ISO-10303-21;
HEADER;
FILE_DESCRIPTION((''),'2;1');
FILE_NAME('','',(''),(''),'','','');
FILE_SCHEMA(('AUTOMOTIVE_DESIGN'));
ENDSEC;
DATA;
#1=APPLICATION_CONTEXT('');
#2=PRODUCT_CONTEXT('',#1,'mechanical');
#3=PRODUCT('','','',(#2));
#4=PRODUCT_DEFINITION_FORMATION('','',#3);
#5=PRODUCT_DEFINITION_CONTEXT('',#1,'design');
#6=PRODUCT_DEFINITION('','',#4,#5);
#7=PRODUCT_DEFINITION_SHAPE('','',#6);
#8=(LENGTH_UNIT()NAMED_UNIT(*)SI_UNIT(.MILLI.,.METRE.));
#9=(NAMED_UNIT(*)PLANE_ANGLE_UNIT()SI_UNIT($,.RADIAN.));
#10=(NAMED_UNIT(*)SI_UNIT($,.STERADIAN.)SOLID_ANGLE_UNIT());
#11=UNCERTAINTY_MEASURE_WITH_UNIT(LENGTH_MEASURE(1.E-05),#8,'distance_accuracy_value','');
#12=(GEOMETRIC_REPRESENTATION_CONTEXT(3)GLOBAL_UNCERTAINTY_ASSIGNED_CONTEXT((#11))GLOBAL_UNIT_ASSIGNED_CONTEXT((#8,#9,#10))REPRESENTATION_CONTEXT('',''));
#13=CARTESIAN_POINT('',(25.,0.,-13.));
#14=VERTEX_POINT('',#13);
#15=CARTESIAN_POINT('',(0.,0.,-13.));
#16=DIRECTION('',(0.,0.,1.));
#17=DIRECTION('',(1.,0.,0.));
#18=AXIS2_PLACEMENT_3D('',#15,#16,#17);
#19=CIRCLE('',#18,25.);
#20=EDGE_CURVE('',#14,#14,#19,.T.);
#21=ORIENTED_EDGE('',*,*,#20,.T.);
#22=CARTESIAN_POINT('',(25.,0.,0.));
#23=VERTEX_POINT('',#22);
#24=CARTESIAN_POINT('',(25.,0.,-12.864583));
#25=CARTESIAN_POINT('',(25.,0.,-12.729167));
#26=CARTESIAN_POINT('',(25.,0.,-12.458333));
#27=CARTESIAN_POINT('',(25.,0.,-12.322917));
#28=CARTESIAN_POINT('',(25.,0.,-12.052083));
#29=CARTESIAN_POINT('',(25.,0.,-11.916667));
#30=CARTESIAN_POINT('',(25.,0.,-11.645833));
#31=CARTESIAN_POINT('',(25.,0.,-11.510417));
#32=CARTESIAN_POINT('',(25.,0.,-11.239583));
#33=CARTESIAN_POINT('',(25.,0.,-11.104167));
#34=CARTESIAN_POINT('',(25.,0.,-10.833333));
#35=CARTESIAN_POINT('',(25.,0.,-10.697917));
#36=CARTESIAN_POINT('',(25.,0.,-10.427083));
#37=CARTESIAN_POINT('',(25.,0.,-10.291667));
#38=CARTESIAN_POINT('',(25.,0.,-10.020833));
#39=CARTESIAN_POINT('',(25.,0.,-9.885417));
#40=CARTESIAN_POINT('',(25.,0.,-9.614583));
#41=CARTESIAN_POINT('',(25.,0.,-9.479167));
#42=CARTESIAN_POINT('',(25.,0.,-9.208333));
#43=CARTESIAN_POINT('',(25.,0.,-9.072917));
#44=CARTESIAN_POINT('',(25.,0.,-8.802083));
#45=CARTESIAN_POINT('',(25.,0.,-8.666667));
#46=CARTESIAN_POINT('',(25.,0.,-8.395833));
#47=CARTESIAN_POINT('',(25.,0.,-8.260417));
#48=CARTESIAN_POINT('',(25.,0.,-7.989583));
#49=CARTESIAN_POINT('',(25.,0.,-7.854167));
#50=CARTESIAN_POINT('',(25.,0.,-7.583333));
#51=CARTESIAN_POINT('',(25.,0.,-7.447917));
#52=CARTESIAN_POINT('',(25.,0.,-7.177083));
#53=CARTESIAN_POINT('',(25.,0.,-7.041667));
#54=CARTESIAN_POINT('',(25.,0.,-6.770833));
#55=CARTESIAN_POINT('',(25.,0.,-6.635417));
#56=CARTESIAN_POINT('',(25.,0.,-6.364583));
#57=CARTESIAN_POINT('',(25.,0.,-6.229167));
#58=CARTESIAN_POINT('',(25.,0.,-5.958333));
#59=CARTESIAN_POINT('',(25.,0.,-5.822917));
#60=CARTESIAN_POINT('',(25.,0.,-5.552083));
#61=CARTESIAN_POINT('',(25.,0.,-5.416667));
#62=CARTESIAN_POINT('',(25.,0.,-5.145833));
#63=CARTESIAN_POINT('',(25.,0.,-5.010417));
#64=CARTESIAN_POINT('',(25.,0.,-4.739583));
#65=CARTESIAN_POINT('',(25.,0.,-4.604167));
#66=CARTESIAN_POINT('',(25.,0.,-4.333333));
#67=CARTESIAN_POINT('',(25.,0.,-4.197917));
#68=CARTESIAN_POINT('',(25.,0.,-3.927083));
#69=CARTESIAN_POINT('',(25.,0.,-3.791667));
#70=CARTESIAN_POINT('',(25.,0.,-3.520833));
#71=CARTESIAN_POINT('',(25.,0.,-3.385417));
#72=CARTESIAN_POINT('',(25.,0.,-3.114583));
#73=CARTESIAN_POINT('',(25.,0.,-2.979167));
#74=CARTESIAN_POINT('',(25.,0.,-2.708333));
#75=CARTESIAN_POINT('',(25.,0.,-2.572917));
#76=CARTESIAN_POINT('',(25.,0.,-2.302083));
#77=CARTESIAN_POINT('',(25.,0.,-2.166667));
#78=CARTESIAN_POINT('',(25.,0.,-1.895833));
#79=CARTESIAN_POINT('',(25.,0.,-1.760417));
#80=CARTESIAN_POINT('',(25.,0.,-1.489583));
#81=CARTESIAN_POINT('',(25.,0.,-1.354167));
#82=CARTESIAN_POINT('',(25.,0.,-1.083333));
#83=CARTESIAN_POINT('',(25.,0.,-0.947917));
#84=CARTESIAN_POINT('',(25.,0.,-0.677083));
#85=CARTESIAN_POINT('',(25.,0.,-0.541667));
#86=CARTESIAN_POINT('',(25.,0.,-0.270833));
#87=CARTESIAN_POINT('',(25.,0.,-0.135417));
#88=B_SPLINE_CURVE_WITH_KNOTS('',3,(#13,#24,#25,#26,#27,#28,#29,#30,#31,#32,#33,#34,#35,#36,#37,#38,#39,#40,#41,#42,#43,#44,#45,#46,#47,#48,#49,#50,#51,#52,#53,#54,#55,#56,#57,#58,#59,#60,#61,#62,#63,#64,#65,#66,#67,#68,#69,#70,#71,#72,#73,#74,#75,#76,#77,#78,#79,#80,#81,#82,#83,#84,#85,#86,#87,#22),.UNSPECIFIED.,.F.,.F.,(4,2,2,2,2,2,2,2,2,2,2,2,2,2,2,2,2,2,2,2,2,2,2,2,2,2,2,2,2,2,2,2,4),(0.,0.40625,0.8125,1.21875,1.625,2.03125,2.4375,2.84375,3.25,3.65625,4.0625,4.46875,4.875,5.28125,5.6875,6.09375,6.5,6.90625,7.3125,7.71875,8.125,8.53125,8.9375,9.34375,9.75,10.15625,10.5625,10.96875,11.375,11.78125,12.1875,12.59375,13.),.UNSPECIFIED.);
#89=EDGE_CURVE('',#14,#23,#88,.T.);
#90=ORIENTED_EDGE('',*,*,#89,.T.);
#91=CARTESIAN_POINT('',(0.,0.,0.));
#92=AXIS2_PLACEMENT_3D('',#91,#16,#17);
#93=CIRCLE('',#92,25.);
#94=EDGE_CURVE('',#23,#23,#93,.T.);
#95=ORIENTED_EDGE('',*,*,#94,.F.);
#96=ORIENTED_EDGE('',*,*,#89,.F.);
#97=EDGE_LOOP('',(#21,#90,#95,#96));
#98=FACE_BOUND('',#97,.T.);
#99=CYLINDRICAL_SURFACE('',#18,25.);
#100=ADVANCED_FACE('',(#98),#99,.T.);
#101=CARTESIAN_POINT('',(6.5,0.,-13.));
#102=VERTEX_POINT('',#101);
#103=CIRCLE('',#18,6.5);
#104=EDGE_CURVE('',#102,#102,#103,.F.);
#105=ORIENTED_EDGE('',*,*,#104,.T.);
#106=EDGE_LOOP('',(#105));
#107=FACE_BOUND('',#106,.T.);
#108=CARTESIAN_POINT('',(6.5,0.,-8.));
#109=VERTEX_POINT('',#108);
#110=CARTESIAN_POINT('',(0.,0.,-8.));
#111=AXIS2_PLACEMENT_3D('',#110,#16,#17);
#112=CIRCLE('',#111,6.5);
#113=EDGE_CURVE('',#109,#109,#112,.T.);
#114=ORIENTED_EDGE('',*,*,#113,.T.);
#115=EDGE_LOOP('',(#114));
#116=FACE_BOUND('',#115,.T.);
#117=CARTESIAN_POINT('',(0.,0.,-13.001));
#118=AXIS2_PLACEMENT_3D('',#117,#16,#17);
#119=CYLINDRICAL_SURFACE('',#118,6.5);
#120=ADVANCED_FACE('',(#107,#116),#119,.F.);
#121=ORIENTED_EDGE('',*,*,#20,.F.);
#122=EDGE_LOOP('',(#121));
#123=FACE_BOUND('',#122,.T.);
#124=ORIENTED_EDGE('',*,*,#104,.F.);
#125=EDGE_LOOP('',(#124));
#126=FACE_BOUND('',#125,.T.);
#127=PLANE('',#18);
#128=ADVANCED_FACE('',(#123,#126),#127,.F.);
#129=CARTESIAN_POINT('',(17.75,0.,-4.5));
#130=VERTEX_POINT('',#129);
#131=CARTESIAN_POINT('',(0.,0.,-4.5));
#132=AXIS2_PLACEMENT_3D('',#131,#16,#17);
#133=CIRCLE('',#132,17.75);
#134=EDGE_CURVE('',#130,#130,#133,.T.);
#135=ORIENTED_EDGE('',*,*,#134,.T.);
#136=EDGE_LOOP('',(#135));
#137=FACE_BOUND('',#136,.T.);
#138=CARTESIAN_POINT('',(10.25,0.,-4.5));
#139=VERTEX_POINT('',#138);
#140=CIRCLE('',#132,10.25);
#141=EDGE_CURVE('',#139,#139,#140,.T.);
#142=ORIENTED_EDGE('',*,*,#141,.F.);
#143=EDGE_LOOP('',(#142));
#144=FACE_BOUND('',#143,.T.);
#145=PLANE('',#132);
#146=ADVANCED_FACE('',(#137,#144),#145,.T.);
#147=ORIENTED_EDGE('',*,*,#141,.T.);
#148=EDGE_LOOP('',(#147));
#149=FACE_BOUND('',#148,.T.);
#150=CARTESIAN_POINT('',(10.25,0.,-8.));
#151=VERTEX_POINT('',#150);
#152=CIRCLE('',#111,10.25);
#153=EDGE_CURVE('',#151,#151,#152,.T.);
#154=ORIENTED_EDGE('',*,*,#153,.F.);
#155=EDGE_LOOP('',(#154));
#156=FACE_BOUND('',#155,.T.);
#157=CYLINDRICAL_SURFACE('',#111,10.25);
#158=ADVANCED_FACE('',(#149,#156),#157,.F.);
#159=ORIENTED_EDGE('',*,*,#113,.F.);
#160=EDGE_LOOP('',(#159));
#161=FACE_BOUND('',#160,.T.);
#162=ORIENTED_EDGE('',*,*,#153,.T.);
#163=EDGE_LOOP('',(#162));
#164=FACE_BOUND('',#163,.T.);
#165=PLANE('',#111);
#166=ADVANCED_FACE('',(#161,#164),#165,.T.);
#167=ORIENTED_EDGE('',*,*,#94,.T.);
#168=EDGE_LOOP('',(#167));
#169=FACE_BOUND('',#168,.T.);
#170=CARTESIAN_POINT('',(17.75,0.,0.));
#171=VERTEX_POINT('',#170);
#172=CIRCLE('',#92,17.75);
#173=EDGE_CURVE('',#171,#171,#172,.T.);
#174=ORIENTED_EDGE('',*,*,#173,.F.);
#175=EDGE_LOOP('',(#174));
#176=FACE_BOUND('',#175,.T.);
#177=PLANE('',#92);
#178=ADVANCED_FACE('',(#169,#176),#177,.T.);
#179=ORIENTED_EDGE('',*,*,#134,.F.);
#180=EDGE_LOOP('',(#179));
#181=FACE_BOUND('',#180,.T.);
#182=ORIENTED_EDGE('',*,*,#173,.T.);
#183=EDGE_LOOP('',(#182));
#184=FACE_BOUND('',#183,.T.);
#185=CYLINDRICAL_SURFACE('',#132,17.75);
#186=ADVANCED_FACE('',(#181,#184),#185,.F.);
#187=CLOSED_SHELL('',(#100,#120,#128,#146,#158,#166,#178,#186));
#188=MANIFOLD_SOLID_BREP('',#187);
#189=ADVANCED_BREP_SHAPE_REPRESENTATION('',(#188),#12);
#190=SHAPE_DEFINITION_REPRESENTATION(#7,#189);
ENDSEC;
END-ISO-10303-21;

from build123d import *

# Parameters (mm, degrees)
CROQUIS1_R              = 25
SALIENTE_EXTRUIR1_DEPTH = 13
CROQUIS2_R              = 17.75
CORTAR_EXTRUIR1_DEPTH   = 4.5
CROQUIS3_R              = 10.25
CORTAR_EXTRUIR2_DEPTH   = 3.5
CORTAR_EXTRUIR3_REACH   = 38.249
CROQUIS4_R              = 6.5


with BuildPart() as part:
    # Croquis1 → Saliente-Extruir1 (new body)
    with BuildSketch(Plane.XY):
        Circle(CROQUIS1_R)
    extrude(amount=-SALIENTE_EXTRUIR1_DEPTH)

    # Croquis2 → Cortar-Extruir1 (cut)
    with BuildSketch(Plane.XY):
        Circle(CROQUIS2_R)
    extrude(amount=-CORTAR_EXTRUIR1_DEPTH, mode=Mode.SUBTRACT)

    # Croquis3 → Cortar-Extruir2 (cut)
    with BuildSketch(Plane.XY.offset(-4.5)):
        Circle(CROQUIS3_R)
    extrude(amount=-CORTAR_EXTRUIR2_DEPTH, mode=Mode.SUBTRACT)

    # Croquis4 → Cortar-Extruir3 (cut, up to next)
    with BuildSketch(Plane.XY.offset(-8), mode=Mode.PRIVATE) as cortar_extruir3_sk1:
        Circle(CROQUIS4_R)
    cortar_extruir3_tool1 = extrude(cortar_extruir3_sk1.sketch, amount=-CORTAR_EXTRUIR3_REACH, mode=Mode.PRIVATE) & part.part
    add(cortar_extruir3_tool1.solids().sort_by_distance((0, 0, -8))[0], mode=Mode.SUBTRACT)


solid = part.part
